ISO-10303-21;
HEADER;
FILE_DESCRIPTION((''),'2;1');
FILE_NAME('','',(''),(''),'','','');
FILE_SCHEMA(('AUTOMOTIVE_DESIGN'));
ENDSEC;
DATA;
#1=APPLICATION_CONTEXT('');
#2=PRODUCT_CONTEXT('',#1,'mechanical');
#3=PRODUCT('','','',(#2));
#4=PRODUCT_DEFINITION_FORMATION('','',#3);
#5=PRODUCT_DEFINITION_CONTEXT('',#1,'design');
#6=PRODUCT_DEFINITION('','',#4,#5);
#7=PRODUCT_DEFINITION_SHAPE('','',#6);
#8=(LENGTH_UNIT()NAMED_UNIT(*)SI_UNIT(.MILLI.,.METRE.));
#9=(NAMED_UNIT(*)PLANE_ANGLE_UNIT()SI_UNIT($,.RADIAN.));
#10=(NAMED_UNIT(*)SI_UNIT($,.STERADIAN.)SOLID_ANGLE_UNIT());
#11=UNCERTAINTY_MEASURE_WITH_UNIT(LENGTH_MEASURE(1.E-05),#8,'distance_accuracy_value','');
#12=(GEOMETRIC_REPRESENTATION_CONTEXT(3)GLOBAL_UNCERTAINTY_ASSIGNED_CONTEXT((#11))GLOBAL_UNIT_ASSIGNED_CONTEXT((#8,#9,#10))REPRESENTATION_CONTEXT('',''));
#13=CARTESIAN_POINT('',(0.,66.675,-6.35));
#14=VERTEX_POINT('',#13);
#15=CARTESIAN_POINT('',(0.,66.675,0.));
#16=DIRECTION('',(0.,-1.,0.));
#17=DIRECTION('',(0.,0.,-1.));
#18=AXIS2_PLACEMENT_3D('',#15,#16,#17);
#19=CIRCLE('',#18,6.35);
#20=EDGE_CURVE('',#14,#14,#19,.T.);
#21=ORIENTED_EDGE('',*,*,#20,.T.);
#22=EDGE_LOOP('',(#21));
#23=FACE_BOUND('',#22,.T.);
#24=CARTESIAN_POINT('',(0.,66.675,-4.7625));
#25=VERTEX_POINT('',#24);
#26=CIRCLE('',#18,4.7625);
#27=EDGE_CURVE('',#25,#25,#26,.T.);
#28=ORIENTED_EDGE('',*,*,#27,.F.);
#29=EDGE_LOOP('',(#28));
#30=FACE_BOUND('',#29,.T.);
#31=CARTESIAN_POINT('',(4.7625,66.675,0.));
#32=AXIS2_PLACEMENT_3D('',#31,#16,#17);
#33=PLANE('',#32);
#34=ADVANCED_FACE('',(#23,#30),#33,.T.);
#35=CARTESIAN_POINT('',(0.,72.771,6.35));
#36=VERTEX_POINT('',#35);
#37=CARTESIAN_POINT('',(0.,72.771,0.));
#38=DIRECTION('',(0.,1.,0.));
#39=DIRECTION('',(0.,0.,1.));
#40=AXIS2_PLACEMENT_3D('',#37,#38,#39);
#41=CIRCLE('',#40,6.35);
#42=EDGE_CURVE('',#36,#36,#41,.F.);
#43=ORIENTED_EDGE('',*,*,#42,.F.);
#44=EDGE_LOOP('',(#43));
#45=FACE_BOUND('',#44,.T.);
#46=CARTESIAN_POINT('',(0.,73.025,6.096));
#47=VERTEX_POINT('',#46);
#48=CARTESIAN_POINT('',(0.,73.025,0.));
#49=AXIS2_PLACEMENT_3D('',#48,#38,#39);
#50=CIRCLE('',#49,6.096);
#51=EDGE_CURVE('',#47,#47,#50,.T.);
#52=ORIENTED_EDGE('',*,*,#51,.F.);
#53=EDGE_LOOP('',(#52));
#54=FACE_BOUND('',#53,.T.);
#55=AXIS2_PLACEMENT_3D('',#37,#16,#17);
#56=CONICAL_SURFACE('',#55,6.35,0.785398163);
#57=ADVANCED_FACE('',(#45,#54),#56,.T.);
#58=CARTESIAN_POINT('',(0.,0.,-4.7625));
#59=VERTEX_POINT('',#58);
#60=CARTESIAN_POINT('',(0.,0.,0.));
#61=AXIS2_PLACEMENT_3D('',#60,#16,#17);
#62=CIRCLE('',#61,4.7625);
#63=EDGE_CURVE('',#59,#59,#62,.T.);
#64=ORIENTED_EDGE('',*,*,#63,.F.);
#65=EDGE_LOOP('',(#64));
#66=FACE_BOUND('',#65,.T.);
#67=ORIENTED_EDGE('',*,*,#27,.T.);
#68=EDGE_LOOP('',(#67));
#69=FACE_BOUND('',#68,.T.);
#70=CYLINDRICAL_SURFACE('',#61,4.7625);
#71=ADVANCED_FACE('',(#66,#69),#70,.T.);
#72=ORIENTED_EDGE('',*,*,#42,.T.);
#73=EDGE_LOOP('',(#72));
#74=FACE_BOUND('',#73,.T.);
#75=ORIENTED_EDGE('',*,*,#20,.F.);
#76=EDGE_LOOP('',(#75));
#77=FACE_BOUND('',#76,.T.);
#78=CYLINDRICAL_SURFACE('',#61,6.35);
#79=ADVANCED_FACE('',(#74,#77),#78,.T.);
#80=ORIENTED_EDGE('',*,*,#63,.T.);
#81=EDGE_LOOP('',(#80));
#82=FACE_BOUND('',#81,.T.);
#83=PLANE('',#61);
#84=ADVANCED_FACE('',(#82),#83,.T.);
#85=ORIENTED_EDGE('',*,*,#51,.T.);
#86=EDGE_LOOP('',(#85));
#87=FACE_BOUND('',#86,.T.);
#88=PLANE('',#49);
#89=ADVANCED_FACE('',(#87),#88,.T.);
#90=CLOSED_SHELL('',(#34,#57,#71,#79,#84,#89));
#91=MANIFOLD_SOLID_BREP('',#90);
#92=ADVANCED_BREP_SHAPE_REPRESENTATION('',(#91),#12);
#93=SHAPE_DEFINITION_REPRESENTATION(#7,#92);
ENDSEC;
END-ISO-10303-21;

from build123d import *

# Parameters (mm, degrees)
CHAMFER1_SIZE = 0.254


with BuildPart() as part:
    # Sketch2 → Revolve1 (revolve)
    with BuildSketch(Plane.XY):
        Polygon((4.7625, 0), (4.7625, 66.675), (6.35, 66.675), (6.35, 73.025), (0, 73.025), (0, 0), align=None)
    revolve(axis=Axis((0, 0, 0), (0, 1, 0)))

    # Chamfer1
    chamfer1_edges = [part.edges().sort_by_distance(p)[0] for p in [
        (-6.35, 73.025, 0),
    ]]
    chamfer(chamfer1_edges, length=CHAMFER1_SIZE)


solid = part.part
